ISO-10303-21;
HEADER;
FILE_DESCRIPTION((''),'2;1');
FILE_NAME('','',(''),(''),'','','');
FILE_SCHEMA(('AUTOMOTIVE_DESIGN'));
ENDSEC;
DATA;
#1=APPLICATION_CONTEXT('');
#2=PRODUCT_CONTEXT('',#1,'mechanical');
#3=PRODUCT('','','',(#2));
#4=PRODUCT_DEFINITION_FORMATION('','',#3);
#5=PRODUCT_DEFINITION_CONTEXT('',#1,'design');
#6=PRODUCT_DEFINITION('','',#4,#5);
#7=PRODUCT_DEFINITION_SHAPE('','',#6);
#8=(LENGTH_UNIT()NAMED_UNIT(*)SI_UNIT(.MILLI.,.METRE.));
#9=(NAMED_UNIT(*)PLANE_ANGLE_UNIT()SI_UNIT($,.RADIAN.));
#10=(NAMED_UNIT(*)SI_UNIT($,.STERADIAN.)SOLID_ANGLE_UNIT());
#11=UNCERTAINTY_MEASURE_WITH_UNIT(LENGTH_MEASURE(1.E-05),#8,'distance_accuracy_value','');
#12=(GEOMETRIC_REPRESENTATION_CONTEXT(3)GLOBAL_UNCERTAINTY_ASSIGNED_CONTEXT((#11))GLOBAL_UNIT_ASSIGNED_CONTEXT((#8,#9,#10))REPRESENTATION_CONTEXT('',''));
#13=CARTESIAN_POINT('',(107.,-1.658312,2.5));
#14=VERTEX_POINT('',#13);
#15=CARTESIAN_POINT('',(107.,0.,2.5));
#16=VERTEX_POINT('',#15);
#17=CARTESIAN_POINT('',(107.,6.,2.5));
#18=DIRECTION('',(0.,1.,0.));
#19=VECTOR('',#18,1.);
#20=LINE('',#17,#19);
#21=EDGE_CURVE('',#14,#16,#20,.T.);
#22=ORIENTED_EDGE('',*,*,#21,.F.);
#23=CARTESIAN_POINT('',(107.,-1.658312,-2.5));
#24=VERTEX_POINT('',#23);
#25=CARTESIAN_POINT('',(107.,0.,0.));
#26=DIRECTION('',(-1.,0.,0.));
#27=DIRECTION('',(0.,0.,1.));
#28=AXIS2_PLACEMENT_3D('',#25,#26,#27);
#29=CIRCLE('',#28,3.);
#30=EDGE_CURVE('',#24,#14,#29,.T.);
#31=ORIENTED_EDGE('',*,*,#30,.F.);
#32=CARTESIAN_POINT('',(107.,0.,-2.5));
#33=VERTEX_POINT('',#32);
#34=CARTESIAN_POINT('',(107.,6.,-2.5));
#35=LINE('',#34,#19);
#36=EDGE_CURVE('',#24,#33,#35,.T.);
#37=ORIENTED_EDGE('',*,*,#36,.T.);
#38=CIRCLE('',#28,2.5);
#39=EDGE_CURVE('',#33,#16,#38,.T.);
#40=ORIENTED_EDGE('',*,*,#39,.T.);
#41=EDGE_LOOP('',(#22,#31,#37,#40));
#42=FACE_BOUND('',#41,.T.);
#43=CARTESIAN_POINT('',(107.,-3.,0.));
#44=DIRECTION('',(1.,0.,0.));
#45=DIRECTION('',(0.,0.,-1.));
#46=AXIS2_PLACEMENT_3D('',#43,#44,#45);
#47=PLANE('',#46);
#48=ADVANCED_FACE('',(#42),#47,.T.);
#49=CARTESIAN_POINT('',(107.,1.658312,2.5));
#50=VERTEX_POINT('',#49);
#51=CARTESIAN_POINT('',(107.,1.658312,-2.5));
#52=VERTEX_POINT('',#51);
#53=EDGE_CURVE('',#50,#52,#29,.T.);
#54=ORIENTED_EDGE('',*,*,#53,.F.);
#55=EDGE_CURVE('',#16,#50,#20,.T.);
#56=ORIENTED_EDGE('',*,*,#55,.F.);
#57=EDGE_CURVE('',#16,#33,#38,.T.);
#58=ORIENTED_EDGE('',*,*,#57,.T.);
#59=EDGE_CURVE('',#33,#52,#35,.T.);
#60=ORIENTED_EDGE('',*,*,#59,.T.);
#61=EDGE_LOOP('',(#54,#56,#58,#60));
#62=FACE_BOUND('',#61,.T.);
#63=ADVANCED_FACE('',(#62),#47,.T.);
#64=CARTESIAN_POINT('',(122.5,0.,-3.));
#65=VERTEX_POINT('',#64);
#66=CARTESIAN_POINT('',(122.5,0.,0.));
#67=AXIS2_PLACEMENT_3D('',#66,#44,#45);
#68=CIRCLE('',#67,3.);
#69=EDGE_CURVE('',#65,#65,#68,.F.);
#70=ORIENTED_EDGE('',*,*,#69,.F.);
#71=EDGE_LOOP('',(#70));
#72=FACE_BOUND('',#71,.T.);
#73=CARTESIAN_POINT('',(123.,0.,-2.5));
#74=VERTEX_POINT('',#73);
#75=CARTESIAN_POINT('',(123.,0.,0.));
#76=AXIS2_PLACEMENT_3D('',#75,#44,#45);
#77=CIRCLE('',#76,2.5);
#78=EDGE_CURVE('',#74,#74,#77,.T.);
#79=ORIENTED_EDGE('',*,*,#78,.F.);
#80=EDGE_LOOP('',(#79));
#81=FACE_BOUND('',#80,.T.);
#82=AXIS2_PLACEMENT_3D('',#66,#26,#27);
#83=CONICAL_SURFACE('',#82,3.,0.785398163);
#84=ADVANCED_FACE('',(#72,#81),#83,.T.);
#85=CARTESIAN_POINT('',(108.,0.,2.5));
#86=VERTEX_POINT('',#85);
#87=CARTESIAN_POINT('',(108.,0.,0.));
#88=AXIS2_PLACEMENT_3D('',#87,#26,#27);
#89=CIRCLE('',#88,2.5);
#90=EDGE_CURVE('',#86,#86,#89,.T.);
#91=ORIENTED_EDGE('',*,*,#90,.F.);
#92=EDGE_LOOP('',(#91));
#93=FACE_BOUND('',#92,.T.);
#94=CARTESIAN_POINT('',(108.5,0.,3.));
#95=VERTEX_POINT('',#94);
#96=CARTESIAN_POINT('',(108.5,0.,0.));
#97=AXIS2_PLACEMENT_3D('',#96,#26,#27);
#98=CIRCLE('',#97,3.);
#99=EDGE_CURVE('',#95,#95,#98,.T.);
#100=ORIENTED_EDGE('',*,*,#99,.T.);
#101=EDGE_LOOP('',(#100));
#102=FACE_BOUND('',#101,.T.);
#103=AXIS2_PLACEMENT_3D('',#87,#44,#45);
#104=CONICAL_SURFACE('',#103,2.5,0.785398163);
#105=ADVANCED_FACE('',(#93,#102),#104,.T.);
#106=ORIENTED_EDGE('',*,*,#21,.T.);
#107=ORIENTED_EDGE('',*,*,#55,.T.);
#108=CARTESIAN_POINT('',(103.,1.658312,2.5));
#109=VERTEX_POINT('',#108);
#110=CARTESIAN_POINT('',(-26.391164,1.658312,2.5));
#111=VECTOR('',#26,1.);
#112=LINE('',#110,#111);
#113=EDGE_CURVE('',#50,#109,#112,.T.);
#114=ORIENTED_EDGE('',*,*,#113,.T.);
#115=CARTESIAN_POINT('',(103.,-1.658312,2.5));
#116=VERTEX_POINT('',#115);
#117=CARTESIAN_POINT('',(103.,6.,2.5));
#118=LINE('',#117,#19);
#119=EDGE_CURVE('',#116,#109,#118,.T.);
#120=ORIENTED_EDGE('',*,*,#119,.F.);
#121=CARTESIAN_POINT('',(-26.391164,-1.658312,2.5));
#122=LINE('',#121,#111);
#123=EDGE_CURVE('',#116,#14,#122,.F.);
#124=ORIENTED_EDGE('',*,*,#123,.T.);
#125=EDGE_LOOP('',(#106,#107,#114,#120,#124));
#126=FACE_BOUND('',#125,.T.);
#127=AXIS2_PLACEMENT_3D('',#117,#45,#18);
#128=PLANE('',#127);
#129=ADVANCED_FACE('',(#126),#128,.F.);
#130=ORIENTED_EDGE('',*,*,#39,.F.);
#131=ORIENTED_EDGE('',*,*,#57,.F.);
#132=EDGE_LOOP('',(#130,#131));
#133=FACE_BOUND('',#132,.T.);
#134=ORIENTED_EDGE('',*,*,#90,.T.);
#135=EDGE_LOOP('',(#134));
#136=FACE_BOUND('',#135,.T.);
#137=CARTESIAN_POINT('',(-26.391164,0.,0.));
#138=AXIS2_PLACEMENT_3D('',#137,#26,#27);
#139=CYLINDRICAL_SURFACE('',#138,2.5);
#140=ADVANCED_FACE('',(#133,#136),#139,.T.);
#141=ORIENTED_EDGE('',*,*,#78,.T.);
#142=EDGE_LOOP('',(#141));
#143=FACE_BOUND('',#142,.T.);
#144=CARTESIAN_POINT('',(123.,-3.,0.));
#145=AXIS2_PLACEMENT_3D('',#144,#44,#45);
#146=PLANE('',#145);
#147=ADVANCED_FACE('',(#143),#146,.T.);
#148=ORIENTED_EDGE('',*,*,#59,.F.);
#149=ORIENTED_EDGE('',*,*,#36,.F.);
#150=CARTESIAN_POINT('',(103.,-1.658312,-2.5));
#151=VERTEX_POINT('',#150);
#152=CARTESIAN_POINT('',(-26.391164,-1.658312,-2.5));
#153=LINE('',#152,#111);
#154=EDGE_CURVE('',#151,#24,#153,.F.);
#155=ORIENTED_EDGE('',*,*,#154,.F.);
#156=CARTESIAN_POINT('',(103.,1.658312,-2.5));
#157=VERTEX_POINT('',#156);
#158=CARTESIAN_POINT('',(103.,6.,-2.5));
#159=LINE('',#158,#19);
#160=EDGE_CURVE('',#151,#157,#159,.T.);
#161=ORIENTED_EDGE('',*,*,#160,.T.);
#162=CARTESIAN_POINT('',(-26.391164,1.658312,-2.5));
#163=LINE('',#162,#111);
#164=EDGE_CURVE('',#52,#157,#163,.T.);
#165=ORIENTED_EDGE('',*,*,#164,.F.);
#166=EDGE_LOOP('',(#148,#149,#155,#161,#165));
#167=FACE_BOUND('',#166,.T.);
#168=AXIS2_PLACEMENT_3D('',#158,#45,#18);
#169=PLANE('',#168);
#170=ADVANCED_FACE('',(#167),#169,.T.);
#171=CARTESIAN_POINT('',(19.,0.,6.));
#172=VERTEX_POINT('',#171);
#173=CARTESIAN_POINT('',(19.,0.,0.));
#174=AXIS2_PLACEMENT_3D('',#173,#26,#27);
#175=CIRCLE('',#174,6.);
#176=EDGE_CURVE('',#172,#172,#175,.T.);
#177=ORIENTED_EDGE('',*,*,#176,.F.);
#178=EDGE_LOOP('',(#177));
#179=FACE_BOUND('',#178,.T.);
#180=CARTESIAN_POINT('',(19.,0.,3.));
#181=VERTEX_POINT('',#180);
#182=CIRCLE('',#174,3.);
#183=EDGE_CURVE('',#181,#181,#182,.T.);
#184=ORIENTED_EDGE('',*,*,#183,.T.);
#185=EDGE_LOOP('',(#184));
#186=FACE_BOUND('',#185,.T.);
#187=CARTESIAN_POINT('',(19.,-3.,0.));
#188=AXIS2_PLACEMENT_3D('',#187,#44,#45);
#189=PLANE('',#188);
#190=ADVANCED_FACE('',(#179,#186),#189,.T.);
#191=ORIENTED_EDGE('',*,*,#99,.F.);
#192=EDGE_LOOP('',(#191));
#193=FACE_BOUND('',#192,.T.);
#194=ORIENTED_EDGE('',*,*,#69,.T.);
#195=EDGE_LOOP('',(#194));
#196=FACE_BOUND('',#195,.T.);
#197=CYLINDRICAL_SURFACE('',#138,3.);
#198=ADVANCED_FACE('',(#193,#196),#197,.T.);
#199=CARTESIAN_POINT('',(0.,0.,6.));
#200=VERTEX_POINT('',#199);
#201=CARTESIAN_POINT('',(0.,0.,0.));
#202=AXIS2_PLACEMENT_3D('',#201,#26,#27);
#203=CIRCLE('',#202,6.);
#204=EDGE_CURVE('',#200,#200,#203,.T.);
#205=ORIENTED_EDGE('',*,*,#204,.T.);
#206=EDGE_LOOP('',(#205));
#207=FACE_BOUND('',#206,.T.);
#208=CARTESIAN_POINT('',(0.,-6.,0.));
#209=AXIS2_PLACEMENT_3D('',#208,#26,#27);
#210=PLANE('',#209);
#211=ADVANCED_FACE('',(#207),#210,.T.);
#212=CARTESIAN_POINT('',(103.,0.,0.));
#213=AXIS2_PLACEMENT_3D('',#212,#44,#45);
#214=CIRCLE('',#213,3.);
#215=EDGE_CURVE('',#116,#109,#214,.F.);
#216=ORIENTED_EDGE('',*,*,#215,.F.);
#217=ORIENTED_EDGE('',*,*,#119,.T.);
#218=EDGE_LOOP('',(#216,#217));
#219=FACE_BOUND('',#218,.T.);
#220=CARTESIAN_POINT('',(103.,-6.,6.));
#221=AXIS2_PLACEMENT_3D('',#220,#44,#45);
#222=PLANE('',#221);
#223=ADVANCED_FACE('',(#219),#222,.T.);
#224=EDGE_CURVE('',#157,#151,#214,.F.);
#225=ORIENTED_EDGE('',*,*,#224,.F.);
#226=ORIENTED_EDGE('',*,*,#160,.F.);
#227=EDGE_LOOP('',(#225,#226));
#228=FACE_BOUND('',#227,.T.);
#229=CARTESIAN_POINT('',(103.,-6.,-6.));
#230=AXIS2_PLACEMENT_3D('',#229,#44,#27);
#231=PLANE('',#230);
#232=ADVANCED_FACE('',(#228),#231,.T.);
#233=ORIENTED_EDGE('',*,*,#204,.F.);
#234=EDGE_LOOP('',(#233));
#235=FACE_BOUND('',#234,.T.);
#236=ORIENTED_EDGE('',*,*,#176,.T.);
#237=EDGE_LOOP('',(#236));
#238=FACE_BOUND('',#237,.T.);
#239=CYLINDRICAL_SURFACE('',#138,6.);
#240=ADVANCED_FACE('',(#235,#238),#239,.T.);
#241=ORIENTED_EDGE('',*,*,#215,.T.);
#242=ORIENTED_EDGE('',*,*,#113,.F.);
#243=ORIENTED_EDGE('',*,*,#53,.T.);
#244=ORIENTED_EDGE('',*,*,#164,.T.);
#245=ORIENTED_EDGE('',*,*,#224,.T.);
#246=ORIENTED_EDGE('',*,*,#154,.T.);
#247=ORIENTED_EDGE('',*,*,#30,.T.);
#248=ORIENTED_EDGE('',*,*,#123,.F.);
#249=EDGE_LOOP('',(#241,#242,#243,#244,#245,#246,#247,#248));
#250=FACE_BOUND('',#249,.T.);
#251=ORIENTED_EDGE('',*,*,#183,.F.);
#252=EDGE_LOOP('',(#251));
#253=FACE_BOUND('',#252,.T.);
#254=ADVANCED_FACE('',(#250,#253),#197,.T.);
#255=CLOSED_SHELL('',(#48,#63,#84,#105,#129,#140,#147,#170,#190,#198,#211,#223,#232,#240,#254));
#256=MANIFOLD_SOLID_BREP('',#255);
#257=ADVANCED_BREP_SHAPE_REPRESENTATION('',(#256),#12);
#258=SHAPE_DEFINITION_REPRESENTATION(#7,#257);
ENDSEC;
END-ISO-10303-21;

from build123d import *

# Parameters (mm, degrees)
CHAMFER1_SIZE      = 0.5
SKETCH2_W          = 3.5
SKETCH2_H          = 12
CUT_EXTRUDE1_DEPTH = 4


with BuildPart() as part:
    # Sketch1 → Revolve1 (revolve)
    with BuildSketch(Plane.XY):
        Polygon((0, -6), (0, 0), (123, 0), (123, -3), (108.5, -3), (108, -2.5), (107, -2.5), (107, -3), (19, -3), (19, -6), align=None)
    revolve(axis=Axis((-26.391164048, 0, 0), (1, 0, 0)))

    # Chamfer1
    chamfer1_edges = [part.edges().sort_by_distance(p)[0] for p in [
        (123, 3, 0),
    ]]
    chamfer(chamfer1_edges, length=CHAMFER1_SIZE)

    # Sketch2 → Cut-Extrude1 (cut)
    with BuildSketch(Plane(origin=(107, 0, 0), x_dir=(0, 0, -1), z_dir=(1, 0, 0))):
        with Locations((-4.25, 0)):
            Rectangle(SKETCH2_W, SKETCH2_H)
    cut_extrude1 = extrude(amount=-CUT_EXTRUDE1_DEPTH, mode=Mode.SUBTRACT)

    # Mirror1: Cut-Extrude1 across plane
    add(cut_extrude1.mirror(Plane.XY), mode=Mode.SUBTRACT)


solid = part.part
